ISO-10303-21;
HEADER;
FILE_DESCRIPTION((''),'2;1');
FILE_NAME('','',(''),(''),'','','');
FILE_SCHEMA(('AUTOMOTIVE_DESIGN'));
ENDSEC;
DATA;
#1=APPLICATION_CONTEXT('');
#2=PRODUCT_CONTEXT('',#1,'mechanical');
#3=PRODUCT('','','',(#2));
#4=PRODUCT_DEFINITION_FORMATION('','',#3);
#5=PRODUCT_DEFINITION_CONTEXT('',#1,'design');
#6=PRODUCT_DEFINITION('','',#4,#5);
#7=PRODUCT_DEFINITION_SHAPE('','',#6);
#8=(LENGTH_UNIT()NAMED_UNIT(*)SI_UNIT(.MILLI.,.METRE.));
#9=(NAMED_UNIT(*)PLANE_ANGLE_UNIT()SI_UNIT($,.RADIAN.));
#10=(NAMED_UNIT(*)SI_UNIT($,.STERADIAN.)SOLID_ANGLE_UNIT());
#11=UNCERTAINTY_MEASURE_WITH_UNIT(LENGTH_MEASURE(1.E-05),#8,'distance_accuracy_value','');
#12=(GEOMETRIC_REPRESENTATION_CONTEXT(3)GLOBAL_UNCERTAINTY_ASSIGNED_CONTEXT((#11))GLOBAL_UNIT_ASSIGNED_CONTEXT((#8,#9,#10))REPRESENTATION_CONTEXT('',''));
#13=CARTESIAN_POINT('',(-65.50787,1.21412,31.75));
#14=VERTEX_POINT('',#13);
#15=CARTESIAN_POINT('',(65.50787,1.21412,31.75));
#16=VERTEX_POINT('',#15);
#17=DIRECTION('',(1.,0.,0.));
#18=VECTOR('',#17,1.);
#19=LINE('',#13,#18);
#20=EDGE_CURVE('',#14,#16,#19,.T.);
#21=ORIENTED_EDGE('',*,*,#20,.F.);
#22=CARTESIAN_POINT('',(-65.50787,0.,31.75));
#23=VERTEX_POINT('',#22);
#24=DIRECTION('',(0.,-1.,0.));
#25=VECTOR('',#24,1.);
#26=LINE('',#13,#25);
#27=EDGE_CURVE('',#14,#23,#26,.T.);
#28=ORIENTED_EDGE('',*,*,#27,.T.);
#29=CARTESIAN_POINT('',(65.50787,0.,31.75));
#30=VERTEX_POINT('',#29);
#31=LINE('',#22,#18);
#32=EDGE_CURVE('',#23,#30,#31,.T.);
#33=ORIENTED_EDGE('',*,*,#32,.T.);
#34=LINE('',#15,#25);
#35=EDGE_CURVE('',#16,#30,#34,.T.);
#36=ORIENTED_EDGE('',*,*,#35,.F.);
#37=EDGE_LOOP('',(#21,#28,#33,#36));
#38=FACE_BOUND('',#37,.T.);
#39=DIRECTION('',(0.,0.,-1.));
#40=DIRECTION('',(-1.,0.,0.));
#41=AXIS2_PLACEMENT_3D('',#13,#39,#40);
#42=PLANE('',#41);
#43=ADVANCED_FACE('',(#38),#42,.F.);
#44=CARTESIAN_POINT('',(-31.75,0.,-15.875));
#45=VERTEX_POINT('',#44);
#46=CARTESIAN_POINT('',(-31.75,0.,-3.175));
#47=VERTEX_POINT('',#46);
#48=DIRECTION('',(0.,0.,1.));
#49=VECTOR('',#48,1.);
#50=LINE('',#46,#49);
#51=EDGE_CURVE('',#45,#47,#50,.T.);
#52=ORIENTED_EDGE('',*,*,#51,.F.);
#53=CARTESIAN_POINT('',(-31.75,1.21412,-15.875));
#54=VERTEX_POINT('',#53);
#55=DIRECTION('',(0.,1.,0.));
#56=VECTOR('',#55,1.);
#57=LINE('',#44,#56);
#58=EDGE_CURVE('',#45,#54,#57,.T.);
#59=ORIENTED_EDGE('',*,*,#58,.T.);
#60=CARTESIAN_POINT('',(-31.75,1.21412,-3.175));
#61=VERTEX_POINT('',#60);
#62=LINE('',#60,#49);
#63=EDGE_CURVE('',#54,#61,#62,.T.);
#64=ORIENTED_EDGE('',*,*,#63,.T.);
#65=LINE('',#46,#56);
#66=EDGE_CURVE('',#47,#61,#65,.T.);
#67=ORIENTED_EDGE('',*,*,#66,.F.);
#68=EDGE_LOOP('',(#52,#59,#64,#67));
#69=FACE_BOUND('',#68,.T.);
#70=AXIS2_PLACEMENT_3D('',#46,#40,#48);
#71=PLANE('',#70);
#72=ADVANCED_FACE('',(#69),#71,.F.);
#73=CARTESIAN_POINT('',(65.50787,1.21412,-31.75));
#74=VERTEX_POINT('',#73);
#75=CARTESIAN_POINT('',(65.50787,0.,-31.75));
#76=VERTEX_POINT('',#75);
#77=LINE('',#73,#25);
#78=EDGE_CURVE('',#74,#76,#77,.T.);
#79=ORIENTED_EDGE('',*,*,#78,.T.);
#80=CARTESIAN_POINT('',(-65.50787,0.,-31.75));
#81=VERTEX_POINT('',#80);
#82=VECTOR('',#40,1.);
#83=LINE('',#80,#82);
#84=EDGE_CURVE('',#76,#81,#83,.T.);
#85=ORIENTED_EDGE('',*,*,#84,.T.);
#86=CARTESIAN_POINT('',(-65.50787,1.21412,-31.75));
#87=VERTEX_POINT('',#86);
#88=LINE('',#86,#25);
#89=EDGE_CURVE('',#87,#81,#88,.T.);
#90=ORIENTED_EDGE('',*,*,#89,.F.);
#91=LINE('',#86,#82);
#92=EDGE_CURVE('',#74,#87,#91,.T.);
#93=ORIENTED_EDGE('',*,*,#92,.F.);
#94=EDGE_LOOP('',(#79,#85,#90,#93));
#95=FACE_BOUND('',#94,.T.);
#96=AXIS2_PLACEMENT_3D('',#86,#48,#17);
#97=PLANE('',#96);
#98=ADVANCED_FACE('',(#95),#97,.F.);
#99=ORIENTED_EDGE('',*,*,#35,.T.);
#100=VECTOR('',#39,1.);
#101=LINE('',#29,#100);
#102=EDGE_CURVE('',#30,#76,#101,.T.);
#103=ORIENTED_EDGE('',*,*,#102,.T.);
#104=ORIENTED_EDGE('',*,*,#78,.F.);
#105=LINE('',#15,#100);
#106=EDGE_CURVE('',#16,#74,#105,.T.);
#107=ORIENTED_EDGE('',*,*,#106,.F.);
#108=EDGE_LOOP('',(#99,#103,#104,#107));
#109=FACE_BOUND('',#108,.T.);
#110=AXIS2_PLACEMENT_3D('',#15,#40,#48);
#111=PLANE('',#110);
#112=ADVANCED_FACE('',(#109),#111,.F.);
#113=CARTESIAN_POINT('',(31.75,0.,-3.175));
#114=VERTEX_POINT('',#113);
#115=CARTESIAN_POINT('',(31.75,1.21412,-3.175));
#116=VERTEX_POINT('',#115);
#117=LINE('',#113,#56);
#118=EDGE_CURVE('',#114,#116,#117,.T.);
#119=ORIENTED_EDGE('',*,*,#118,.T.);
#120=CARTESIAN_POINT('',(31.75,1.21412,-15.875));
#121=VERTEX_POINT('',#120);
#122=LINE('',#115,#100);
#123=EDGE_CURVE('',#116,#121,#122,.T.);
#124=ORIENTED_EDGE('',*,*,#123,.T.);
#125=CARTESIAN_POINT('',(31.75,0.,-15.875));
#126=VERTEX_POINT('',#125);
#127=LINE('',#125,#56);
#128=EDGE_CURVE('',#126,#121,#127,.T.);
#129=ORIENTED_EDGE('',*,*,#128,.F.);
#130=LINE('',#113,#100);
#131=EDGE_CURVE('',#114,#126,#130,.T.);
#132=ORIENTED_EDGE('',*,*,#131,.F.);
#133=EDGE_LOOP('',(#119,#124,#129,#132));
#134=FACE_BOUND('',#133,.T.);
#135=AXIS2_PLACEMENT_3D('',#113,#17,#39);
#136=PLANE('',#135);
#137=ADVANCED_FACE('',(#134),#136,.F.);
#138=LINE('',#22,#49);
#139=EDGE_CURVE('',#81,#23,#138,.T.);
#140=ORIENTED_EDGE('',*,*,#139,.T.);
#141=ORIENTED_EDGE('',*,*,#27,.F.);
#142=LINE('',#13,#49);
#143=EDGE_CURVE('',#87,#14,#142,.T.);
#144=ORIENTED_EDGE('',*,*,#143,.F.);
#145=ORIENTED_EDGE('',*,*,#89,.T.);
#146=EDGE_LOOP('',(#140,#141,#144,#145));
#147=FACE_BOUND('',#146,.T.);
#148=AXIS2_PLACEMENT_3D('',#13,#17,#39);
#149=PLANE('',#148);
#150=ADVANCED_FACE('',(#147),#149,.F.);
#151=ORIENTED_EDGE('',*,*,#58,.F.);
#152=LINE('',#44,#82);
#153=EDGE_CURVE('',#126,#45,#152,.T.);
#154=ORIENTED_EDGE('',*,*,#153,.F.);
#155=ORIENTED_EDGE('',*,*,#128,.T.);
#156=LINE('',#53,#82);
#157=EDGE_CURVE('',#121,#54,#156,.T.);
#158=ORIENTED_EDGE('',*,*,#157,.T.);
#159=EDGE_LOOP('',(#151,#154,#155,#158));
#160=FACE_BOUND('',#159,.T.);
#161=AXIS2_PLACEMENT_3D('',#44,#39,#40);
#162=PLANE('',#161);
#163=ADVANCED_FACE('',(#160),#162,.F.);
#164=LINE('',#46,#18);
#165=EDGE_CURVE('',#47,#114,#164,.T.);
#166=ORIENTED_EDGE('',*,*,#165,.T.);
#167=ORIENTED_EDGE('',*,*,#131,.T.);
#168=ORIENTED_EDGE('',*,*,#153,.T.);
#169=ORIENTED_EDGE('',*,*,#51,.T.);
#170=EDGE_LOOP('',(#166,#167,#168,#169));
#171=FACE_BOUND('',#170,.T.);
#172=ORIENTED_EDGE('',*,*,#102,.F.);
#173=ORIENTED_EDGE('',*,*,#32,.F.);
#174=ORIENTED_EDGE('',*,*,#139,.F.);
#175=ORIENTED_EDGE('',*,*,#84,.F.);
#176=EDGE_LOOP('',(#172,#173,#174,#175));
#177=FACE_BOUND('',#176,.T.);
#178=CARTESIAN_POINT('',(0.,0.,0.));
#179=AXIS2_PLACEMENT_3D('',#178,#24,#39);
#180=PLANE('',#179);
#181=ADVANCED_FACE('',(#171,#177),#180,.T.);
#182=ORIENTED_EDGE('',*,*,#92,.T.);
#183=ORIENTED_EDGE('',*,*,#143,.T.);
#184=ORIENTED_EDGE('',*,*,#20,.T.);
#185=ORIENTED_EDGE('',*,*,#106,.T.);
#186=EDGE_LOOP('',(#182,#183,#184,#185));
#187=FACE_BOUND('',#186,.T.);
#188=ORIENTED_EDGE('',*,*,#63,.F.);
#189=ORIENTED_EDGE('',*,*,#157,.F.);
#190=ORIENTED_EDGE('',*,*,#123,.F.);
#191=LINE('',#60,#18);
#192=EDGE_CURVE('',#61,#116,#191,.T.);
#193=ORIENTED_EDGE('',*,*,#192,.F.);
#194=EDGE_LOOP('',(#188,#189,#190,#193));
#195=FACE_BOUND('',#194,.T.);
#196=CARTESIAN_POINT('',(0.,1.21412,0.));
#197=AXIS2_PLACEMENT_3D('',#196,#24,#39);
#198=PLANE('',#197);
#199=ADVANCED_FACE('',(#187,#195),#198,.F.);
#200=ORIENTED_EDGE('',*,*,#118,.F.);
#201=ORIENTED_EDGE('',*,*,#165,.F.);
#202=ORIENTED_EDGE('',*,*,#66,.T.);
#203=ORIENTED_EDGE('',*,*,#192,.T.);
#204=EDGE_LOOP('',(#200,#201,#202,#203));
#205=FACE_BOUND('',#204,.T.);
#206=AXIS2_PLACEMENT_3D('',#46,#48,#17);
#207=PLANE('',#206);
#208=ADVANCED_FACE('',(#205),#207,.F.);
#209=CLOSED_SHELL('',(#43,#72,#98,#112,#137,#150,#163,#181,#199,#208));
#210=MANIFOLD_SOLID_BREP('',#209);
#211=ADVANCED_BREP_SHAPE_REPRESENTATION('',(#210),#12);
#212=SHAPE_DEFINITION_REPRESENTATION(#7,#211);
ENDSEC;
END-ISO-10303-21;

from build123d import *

# Parameters (mm, degrees)
SKETCH1_W           = 131.01574
SKETCH1_H           = 63.5
BOSS_EXTRUDE1_DEPTH = 1.21412
SKETCH2_W           = 63.5
SKETCH2_H           = 12.7
CUT_EXTRUDE1_DEPTH  = 2.21412


with BuildPart() as part:
    # Sketch1 → Boss-Extrude1 (new body)
    with BuildSketch(Plane(origin=(0, 0, 0), x_dir=(1, 0, 0), z_dir=(0, 1, 0))):
        Rectangle(SKETCH1_W, SKETCH1_H)
    extrude(amount=BOSS_EXTRUDE1_DEPTH)

    # Sketch2 → Cut-Extrude1 (cut, through all)
    with BuildSketch(Plane(origin=(0, 1.21412, 0), x_dir=(1, 0, 0), z_dir=(0, 1, 0))):
        with Locations((0, 9.525)):
            Rectangle(SKETCH2_W, SKETCH2_H)
    extrude(amount=-CUT_EXTRUDE1_DEPTH, mode=Mode.SUBTRACT)


solid = part.part
